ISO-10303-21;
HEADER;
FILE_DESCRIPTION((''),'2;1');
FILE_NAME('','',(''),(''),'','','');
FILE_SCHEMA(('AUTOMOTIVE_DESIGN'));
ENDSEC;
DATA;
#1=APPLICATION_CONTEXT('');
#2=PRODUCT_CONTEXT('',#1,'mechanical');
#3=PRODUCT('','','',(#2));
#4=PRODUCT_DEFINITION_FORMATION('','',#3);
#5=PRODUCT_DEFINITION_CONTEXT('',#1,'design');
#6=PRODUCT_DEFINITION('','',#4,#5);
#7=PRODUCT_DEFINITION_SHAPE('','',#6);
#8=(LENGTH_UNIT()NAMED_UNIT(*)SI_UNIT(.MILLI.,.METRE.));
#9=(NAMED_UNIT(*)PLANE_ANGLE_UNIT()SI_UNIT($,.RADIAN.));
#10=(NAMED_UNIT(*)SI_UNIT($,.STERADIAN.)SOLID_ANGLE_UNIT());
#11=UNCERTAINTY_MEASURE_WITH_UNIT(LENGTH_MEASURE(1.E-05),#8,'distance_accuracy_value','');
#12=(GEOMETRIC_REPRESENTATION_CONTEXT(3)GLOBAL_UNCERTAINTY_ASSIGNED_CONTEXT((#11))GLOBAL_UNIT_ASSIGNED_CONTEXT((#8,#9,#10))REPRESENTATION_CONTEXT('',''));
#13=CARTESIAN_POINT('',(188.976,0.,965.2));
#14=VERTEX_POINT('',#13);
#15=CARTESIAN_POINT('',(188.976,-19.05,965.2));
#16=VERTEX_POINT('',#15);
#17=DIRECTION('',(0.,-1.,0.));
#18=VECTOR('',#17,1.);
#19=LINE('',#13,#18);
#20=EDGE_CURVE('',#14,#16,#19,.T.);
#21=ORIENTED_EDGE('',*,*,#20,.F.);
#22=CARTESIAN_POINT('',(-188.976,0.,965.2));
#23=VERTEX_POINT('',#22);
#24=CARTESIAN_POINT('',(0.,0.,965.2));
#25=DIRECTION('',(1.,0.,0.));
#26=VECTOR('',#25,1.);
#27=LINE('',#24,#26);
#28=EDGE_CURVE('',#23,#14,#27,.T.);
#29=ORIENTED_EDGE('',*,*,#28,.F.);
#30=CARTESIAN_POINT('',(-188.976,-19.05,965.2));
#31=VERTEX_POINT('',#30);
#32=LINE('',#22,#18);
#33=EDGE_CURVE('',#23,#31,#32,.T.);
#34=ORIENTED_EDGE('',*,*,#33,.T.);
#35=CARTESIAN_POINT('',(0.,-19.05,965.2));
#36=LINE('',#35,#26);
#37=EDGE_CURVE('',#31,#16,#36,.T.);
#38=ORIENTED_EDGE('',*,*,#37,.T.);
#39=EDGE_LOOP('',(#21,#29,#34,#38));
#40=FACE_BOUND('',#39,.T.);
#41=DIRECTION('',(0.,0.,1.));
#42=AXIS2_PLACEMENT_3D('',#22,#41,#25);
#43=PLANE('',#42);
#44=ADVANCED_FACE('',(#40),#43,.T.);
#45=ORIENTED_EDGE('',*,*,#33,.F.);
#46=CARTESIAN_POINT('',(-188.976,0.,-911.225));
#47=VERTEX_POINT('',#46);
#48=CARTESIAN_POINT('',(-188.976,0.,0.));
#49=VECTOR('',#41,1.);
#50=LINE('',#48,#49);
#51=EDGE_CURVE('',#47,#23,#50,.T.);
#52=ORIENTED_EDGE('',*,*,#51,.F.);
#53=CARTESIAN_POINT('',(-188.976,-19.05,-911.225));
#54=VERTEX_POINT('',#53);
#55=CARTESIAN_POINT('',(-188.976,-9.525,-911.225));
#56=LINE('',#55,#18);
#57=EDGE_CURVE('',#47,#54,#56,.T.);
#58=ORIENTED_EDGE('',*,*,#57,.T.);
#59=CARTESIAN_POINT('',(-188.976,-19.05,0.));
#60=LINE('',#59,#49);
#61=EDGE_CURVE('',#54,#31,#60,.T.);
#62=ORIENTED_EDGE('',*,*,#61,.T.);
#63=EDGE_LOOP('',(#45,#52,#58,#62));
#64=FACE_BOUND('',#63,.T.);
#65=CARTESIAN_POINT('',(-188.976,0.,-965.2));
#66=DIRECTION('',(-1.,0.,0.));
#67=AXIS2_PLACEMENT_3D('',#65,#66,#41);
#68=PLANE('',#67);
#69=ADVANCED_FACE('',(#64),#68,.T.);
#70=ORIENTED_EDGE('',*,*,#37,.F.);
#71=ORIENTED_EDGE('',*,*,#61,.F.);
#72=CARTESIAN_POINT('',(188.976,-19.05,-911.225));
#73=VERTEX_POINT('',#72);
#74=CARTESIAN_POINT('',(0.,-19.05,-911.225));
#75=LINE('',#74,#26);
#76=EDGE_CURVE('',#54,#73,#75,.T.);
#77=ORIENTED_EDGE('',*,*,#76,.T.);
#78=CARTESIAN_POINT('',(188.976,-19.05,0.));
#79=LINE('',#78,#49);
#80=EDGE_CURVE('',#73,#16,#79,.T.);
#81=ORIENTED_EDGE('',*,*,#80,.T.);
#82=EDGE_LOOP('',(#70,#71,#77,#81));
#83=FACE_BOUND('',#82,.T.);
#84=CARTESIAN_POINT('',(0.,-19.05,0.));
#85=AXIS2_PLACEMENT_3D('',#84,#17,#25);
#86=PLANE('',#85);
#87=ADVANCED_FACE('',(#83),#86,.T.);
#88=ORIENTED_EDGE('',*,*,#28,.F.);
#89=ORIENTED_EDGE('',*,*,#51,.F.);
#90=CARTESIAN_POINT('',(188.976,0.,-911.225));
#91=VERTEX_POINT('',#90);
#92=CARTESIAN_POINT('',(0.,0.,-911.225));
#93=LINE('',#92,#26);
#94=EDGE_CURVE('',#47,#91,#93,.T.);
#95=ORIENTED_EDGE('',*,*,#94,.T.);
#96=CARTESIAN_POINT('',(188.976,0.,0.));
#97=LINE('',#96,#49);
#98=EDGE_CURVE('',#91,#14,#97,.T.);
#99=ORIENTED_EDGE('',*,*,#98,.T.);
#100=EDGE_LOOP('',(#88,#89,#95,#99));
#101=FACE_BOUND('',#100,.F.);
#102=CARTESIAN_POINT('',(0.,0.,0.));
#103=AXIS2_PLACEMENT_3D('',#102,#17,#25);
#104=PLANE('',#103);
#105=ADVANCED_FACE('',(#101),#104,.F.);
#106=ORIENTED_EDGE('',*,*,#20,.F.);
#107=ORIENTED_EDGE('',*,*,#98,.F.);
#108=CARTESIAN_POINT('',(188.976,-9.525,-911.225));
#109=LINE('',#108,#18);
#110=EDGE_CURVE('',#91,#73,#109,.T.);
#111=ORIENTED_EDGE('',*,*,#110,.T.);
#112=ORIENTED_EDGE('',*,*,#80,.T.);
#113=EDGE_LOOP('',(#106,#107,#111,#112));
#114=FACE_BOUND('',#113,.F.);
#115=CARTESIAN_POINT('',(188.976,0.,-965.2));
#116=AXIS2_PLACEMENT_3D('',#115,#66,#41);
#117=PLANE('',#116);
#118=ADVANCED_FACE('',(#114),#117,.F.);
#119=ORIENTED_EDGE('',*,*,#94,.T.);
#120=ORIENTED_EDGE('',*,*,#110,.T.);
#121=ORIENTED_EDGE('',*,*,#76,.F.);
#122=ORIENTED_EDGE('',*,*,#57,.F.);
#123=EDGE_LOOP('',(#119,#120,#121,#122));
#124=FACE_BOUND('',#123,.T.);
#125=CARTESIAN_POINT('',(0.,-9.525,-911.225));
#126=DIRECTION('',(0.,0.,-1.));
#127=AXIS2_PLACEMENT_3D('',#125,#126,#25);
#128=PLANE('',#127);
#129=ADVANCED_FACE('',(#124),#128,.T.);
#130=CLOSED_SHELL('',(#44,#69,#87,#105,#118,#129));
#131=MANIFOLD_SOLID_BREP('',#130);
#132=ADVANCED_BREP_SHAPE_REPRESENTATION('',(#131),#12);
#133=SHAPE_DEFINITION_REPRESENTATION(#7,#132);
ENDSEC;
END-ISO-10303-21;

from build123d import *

# Parameters (mm, degrees)
F0_W      = 377.952
F0_H      = 1930.4
F1_DEPTH  = 19.05
F1_FACE_W = 377.952
F1_FACE_H = 19.05
F2_DEPTH  = 53.975


with BuildPart() as f1:
    # F0 (on Front) → F1 (new body)
    with BuildSketch(Plane.XZ):
        Rectangle(F0_W, F0_H)
    extrude(amount=F1_DEPTH)

    # F1_face (on face) → F2 (cut)
    with BuildSketch(Plane(origin=(0, -9.525, -965.2), x_dir=(1, 0, 0), z_dir=(0, 0, -1))):
        Rectangle(F1_FACE_W, F1_FACE_H)
    extrude(amount=-F2_DEPTH, mode=Mode.SUBTRACT)


solid = f1.part
